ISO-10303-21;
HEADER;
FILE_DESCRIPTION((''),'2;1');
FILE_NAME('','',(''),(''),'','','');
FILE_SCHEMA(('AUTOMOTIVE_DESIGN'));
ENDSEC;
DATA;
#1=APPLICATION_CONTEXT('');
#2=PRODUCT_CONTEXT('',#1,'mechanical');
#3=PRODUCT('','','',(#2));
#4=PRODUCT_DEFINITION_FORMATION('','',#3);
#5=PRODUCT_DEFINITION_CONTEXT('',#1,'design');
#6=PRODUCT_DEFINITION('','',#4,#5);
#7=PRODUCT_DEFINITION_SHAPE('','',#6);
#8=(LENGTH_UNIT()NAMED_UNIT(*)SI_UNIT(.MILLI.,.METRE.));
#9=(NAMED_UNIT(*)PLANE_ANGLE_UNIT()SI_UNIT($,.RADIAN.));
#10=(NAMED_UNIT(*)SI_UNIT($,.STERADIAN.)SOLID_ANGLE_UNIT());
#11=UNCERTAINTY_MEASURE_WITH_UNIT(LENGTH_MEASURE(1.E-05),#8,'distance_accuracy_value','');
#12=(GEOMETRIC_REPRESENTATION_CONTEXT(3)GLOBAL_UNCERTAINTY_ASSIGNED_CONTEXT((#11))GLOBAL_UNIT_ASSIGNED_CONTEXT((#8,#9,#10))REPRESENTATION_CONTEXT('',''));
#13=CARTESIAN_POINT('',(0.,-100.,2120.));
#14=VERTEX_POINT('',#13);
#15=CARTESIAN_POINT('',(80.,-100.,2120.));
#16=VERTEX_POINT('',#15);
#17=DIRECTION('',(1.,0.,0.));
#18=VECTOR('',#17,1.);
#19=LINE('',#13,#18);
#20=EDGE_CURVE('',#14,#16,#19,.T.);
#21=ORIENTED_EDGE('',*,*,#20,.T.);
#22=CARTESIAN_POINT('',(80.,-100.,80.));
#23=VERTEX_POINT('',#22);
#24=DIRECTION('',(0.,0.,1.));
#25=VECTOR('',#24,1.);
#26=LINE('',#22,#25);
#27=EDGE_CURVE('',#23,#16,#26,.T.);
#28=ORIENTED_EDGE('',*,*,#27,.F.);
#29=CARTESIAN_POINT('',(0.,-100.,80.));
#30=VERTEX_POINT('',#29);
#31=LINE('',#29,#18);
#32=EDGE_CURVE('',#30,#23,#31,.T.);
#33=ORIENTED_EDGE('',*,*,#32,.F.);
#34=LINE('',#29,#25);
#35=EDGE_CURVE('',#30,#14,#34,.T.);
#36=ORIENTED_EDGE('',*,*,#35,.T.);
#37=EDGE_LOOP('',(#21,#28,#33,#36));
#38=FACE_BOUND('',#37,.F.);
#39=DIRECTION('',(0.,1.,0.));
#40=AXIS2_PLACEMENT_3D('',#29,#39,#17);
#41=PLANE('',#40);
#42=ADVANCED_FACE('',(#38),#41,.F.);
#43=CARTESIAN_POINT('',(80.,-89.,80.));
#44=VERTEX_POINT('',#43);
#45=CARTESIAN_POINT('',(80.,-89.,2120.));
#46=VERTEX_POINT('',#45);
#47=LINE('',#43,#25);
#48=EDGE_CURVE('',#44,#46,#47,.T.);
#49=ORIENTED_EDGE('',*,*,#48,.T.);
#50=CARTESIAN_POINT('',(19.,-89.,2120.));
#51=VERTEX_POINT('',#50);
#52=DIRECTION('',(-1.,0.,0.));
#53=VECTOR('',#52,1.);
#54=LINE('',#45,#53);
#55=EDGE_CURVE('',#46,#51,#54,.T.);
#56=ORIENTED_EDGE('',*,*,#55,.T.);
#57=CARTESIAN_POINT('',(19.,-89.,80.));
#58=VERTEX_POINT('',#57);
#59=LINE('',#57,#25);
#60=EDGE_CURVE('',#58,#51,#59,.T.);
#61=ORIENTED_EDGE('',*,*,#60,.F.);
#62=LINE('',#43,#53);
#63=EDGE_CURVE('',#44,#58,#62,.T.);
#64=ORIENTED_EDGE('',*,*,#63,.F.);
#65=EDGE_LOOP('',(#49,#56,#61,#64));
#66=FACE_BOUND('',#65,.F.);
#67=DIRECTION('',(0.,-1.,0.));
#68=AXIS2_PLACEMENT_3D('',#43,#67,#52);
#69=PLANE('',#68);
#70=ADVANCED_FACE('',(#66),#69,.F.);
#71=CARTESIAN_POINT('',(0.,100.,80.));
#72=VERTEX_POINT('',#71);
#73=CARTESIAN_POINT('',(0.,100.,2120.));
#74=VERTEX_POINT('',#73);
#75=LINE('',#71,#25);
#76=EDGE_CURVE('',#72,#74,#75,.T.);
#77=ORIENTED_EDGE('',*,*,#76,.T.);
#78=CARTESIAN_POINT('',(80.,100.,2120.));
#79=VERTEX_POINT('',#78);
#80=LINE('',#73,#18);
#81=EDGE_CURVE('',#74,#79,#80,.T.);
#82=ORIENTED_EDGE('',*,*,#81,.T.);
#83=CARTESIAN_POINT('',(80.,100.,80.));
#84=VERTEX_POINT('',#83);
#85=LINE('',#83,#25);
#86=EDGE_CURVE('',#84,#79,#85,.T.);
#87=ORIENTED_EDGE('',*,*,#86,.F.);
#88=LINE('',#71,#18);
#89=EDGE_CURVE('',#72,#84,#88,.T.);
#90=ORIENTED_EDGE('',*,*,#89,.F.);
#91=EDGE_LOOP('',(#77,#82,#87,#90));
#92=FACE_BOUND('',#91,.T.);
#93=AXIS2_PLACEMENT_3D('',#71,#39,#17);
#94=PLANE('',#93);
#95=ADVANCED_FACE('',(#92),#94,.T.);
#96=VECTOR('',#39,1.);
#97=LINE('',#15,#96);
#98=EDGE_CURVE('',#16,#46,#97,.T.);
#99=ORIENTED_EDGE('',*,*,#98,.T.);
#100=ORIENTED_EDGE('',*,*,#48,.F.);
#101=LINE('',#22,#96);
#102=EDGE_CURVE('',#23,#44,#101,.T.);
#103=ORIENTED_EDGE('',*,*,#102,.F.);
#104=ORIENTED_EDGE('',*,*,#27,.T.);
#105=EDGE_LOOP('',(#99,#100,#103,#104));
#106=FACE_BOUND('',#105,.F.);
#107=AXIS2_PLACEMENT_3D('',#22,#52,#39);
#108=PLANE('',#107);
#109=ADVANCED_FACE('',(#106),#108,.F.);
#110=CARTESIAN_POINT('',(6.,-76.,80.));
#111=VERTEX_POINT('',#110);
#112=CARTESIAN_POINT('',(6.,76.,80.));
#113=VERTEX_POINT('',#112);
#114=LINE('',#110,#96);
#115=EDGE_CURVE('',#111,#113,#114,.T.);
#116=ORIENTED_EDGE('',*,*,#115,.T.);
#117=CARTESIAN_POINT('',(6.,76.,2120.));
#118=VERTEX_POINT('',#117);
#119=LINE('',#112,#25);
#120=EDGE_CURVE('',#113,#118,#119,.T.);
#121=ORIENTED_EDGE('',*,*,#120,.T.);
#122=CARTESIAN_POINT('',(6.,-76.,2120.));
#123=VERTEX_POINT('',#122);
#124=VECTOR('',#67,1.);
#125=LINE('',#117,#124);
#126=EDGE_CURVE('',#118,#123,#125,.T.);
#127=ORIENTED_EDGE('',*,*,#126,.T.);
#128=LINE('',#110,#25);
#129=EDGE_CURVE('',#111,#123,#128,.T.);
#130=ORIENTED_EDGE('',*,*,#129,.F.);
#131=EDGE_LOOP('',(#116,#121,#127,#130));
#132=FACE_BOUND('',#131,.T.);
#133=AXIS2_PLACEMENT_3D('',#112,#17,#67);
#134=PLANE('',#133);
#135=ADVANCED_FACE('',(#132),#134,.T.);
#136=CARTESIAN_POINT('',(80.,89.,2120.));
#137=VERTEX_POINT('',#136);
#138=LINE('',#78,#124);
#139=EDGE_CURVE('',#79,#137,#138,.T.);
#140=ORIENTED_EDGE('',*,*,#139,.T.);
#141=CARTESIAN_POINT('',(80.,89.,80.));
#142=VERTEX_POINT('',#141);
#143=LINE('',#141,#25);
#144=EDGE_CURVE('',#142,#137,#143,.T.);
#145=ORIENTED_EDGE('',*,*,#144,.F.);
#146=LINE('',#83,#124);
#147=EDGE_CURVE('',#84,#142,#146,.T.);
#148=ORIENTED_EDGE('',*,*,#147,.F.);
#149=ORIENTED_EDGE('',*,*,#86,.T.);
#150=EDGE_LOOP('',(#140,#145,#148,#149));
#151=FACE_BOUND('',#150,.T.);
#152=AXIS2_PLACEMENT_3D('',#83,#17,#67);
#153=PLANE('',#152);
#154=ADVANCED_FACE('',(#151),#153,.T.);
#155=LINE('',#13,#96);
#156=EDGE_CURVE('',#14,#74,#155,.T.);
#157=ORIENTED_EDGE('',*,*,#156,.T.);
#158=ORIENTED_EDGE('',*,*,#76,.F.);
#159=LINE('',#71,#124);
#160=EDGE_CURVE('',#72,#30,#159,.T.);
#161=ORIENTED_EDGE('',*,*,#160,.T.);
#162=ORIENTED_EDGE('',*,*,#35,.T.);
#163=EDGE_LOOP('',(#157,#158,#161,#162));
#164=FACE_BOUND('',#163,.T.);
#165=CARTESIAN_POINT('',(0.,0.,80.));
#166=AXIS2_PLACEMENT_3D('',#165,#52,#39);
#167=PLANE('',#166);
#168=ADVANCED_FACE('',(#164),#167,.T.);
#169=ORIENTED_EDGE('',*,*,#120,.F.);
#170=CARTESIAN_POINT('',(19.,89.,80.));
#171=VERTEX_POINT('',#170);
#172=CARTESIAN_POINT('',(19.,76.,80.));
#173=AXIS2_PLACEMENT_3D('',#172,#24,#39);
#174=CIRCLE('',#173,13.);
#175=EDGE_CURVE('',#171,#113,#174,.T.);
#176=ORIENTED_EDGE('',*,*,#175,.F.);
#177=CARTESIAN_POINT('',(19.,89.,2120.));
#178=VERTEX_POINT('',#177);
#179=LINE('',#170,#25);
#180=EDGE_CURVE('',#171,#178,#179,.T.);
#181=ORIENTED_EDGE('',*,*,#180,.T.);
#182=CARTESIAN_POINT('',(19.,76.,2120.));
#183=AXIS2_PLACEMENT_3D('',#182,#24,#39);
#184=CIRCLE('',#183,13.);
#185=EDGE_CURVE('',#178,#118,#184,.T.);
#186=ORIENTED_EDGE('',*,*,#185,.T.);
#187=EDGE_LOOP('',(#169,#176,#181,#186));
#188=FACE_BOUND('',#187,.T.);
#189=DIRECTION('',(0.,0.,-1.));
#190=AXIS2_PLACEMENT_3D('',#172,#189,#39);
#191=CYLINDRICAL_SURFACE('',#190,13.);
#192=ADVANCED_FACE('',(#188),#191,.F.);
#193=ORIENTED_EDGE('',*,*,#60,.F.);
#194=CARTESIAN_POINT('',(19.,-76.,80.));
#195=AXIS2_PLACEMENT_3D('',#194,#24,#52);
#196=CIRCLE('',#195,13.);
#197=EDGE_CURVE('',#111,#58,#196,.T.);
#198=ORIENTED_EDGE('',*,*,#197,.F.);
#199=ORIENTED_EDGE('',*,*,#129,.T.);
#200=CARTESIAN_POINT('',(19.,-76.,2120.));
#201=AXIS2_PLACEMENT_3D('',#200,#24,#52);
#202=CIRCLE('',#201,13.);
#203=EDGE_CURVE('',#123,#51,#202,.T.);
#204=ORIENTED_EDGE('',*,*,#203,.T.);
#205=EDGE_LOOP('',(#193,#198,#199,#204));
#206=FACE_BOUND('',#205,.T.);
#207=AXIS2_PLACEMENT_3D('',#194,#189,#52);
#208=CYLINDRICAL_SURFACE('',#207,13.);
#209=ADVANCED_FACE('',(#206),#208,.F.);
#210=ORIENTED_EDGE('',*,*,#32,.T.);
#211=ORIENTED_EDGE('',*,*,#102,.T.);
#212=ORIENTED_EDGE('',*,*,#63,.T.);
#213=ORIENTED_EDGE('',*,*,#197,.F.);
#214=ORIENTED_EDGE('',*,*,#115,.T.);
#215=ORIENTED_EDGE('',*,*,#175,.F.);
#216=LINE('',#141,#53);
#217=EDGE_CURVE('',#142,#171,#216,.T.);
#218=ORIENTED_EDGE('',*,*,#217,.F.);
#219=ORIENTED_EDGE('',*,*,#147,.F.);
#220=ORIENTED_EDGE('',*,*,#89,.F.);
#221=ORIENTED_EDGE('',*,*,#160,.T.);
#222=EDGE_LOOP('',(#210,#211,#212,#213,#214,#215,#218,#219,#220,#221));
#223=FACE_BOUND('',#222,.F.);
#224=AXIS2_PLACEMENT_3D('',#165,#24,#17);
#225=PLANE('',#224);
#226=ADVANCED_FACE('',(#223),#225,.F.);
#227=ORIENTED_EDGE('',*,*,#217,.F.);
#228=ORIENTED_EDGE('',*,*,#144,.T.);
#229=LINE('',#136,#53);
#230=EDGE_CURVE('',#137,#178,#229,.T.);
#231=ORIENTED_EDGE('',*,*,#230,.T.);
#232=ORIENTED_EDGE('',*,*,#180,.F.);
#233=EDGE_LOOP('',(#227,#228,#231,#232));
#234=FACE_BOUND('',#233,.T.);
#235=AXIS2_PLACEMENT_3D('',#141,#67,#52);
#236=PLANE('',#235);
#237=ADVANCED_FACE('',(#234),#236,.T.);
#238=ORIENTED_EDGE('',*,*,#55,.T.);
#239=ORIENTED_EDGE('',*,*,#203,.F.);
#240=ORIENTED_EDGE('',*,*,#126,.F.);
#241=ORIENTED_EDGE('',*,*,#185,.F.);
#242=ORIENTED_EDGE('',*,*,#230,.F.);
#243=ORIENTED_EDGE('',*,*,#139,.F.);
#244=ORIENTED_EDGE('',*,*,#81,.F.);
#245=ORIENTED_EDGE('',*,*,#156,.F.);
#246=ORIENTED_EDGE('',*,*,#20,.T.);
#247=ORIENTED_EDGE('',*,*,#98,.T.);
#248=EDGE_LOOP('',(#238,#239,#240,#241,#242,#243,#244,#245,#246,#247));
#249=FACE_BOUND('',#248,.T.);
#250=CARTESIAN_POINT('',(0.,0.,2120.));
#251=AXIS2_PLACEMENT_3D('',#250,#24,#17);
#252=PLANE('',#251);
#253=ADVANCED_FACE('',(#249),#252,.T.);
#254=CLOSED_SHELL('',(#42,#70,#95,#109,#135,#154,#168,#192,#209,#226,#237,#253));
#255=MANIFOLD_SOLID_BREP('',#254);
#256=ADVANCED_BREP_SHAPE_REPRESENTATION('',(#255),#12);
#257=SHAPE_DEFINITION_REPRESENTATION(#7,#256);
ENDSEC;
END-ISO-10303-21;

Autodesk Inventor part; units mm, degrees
ref_plane "Start plane" through (0, 0, 80) normal (0, 0, 1) x (1, 0, 0)
ref_plane "End plane" through (0, 0, 2120) normal (0, 0, 1) x (1, 0, 0)
sketch "Sketch" plane through (0, 0, 0) normal (0, 0, 1) x (1, 0, 0)
  line L0 (0, 0) -> (0, 100)
  line L1 (0, 100) -> (80, 100)
  line L2 (80, 100) -> (80, 89)
  line L3 (80, 89) -> (19, 89)
  line L4 (6, 76) -> (6, 0)
  line L5 (6, 0) -> (0, 0) construction
  line L6 (25.6, 100) -> (25.6, 89) construction
  line L7 (80, 89) -> (80, 89) construction
  line L8 (80, 89) -> (25.6, 89) construction
  line L9 (0, 12) -> (0, -30) construction
  line L10 (-1.5, 0) -> (19.5, 0) construction
  line L11 (0, 0) -> (0, -100)
  line L12 (0, -100) -> (80, -100)
  line L13 (80, -100) -> (80, -89)
  line L14 (80, -89) -> (19, -89)
  line L15 (6, -76) -> (6, 0)
  arc A0 (6, -76) -> (19, -89) centre (19, -76) ccw
  arc A1 (19, 89) -> (6, 76) centre (19, 76) ccw
  line L16 (0, 140) -> (0, -140) construction
  line L17 (-17.8, 0) -> (96.3, 0) construction
  point P0 (6, 89)
  point P1 (6, -89)
  point P2 (25.6, -100)
  point P3 (25.6, -89)
  dimension "d0" = 6
  dimension "d1" = 100
  dimension "d2" = 80
  dimension "d3" = 11
  dimension "d5" = 0
  dimension "d23" = 13
  dimension "d24" = 0
  dimension "d29" = 25.6
extrude "Body" add sketch "Sketch" along normal up to surface (2040 mm away) from surface at 80
sketch "Sketch3" plane through (0, 0, 0) normal (0, 0, 1) x (1, 0, 0)
  line L0 (0, 0) -> (10, 0)
ref_plane "Work Plane3" through (0, 0, 0) normal (0, -1, 0) x (1, 0, 0)
sketch "Sketch4" plane through (0, 0, 0) normal (0, -1, 0) x (1, 0, 0)
  line L0 (-2, 80) -> (12, 80)
  line L1 (-2, 2120) -> (12, 2120)
  dimension "d28" = 2040
ref_plane "Work Plane4" through (80, 0, 2120) normal (0, 0, 1) x (1, 0, 0)
split "Split1" plane through (80, 0, 2120) removes the side toward (0, 0, 1)
ref_plane "Work Plane5" through (-4420, 0, 80) normal (0, 0, -1) x (-1, 0, 0)
split "Split2" plane through (-4420, 0, 80) removes the side toward (0, 0, -1)
equation "\"d0\" = G_T"
equation "\"d1\" = 0.5 * G_H"
equation "\"d2\" = G_W"
equation "\"d3\" = G_T1"
equation "\"d23\" = G_IR"
equation "\"d29\" = G_C"
equation "\"d6\" = G_L"
equation "\"G_W\" = 80"
equation "\"G_H\" = 200"
equation "\"G_T\" = 6"
equation "\"G_T1\" = 11"
equation "\"G_NG\" = 0"
equation "\"G_IR\" = 13"
equation "\"G_C\" = 25.6"
equation "\"G_L\" = d28"
equation "\"ex\" = 0"
properties part number "DIN 1026-2 - UPE 200 - 2040" material "Steel, Mild"
